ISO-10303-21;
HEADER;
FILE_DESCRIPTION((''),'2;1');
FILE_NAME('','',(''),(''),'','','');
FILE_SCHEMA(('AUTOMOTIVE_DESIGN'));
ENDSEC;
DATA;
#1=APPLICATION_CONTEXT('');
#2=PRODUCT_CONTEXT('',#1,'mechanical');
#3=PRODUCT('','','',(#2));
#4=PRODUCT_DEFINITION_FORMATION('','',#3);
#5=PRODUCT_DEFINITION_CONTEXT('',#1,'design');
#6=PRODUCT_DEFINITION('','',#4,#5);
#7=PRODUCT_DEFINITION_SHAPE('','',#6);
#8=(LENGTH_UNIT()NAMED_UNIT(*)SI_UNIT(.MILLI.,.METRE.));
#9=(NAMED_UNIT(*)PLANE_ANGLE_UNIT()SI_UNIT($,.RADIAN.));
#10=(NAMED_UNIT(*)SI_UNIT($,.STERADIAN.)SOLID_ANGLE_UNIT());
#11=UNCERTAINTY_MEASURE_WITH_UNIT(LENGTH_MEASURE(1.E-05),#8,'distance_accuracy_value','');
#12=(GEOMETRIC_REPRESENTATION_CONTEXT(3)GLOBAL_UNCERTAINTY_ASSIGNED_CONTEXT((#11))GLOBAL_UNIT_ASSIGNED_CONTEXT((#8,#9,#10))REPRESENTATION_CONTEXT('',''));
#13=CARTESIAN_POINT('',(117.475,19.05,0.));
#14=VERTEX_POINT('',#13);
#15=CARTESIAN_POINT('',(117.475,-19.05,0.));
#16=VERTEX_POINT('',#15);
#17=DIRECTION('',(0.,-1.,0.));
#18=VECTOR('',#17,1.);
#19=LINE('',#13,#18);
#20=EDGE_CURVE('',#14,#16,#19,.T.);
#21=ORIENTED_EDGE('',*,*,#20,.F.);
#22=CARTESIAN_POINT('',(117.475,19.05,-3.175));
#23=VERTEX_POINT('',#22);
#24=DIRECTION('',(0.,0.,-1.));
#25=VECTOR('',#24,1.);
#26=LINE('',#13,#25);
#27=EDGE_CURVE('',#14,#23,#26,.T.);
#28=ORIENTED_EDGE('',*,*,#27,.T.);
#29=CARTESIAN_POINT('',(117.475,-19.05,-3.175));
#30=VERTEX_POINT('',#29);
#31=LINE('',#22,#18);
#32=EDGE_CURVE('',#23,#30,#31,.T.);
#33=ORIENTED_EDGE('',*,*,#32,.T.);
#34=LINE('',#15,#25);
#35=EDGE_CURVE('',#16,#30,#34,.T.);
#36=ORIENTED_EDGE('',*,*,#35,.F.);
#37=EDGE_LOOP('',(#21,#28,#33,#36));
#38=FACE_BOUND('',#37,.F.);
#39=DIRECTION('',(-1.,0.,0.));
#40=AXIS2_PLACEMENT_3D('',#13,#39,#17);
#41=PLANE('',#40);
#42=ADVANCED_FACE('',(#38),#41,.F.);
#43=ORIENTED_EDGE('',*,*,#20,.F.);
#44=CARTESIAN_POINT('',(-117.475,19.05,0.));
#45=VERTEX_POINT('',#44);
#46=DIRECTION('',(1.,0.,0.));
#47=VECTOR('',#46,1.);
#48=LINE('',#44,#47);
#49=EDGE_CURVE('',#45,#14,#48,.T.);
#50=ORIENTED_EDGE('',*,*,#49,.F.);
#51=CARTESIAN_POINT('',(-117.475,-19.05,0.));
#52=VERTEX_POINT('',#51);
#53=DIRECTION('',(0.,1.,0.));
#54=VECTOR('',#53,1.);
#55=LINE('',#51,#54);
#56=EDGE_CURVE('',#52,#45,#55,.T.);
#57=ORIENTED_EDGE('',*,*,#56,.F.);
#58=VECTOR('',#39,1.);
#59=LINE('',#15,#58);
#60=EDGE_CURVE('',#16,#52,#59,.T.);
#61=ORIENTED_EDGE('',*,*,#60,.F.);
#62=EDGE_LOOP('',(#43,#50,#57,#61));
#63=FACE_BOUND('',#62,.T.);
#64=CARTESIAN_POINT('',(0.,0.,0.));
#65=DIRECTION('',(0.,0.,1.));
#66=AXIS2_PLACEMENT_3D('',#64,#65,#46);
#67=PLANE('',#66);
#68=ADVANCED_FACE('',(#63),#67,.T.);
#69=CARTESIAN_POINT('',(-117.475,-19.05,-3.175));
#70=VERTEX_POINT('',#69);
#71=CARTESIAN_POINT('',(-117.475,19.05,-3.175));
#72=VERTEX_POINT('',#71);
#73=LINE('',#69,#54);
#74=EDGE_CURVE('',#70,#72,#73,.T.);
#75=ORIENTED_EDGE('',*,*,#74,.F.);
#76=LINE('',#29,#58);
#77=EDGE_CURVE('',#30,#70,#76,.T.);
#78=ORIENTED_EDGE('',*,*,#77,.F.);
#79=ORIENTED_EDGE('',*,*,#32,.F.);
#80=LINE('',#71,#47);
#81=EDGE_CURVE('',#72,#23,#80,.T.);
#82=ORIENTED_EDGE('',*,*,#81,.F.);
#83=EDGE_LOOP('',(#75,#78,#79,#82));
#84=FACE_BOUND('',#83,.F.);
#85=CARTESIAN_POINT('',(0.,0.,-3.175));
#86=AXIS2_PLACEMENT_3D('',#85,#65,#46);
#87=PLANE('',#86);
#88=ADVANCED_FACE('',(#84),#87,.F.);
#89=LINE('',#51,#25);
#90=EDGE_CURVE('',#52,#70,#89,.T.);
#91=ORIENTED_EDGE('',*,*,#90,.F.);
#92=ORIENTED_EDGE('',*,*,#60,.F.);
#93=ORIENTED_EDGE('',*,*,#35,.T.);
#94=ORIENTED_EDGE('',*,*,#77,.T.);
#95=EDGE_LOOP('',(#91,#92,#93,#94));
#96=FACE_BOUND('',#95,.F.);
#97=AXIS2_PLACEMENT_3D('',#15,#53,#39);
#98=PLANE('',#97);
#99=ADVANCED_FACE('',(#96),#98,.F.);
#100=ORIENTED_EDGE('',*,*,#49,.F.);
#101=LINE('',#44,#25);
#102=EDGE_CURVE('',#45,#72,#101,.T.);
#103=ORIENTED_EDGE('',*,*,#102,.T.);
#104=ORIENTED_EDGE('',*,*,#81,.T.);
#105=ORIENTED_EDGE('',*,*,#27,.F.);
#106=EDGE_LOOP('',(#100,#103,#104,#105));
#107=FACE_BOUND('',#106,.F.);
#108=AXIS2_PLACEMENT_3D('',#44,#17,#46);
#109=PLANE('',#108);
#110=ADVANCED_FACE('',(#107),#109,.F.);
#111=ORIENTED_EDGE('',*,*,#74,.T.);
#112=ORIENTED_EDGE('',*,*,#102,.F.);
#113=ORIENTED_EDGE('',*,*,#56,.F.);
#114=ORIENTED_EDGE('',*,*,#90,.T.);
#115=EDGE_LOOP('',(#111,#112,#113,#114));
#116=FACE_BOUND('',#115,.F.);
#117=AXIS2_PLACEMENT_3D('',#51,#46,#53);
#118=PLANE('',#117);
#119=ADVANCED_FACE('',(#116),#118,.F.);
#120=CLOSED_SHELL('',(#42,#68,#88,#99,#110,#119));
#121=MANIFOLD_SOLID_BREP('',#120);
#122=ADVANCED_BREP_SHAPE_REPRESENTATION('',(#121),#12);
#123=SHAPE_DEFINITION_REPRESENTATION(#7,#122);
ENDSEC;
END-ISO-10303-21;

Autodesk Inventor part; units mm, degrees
ref_plane "YZ Plane" through (0, 0, 0) normal (1, 0, 0) x (0, 1, 0)
ref_plane "XZ Plane" through (0, 0, 0) normal (0, 1, 0) x (-1, 0, 0)
ref_plane "XY Plane" through (0, 0, 0) normal (0, 0, 1) x (1, 0, 0)
sketch "Sketch1" plane through (0, 0, 0) normal (0, 0, 1) x (1, 0, 0)
  line L0 (-117.475, 19.05) -> (117.475, 19.05)
  line L1 (117.475, 19.05) -> (117.475, -19.05)
  line L2 (117.475, -19.05) -> (-117.475, -19.05)
  line L3 (-117.475, -19.05) -> (-117.475, 19.05)
  point P0 (0, 0)
  dimension "d0" = 234.95
  dimension "d1" = 117.475
  dimension "d2" = 38.1
  dimension "d3" = 19.05
extrude "Extrusion1" add sketch "Sketch1" against normal blind 3.175
equation "\"d1\" = 0.5 * d0"
equation "\"d3\" = 0.5 * d2"
properties part number "Front"
